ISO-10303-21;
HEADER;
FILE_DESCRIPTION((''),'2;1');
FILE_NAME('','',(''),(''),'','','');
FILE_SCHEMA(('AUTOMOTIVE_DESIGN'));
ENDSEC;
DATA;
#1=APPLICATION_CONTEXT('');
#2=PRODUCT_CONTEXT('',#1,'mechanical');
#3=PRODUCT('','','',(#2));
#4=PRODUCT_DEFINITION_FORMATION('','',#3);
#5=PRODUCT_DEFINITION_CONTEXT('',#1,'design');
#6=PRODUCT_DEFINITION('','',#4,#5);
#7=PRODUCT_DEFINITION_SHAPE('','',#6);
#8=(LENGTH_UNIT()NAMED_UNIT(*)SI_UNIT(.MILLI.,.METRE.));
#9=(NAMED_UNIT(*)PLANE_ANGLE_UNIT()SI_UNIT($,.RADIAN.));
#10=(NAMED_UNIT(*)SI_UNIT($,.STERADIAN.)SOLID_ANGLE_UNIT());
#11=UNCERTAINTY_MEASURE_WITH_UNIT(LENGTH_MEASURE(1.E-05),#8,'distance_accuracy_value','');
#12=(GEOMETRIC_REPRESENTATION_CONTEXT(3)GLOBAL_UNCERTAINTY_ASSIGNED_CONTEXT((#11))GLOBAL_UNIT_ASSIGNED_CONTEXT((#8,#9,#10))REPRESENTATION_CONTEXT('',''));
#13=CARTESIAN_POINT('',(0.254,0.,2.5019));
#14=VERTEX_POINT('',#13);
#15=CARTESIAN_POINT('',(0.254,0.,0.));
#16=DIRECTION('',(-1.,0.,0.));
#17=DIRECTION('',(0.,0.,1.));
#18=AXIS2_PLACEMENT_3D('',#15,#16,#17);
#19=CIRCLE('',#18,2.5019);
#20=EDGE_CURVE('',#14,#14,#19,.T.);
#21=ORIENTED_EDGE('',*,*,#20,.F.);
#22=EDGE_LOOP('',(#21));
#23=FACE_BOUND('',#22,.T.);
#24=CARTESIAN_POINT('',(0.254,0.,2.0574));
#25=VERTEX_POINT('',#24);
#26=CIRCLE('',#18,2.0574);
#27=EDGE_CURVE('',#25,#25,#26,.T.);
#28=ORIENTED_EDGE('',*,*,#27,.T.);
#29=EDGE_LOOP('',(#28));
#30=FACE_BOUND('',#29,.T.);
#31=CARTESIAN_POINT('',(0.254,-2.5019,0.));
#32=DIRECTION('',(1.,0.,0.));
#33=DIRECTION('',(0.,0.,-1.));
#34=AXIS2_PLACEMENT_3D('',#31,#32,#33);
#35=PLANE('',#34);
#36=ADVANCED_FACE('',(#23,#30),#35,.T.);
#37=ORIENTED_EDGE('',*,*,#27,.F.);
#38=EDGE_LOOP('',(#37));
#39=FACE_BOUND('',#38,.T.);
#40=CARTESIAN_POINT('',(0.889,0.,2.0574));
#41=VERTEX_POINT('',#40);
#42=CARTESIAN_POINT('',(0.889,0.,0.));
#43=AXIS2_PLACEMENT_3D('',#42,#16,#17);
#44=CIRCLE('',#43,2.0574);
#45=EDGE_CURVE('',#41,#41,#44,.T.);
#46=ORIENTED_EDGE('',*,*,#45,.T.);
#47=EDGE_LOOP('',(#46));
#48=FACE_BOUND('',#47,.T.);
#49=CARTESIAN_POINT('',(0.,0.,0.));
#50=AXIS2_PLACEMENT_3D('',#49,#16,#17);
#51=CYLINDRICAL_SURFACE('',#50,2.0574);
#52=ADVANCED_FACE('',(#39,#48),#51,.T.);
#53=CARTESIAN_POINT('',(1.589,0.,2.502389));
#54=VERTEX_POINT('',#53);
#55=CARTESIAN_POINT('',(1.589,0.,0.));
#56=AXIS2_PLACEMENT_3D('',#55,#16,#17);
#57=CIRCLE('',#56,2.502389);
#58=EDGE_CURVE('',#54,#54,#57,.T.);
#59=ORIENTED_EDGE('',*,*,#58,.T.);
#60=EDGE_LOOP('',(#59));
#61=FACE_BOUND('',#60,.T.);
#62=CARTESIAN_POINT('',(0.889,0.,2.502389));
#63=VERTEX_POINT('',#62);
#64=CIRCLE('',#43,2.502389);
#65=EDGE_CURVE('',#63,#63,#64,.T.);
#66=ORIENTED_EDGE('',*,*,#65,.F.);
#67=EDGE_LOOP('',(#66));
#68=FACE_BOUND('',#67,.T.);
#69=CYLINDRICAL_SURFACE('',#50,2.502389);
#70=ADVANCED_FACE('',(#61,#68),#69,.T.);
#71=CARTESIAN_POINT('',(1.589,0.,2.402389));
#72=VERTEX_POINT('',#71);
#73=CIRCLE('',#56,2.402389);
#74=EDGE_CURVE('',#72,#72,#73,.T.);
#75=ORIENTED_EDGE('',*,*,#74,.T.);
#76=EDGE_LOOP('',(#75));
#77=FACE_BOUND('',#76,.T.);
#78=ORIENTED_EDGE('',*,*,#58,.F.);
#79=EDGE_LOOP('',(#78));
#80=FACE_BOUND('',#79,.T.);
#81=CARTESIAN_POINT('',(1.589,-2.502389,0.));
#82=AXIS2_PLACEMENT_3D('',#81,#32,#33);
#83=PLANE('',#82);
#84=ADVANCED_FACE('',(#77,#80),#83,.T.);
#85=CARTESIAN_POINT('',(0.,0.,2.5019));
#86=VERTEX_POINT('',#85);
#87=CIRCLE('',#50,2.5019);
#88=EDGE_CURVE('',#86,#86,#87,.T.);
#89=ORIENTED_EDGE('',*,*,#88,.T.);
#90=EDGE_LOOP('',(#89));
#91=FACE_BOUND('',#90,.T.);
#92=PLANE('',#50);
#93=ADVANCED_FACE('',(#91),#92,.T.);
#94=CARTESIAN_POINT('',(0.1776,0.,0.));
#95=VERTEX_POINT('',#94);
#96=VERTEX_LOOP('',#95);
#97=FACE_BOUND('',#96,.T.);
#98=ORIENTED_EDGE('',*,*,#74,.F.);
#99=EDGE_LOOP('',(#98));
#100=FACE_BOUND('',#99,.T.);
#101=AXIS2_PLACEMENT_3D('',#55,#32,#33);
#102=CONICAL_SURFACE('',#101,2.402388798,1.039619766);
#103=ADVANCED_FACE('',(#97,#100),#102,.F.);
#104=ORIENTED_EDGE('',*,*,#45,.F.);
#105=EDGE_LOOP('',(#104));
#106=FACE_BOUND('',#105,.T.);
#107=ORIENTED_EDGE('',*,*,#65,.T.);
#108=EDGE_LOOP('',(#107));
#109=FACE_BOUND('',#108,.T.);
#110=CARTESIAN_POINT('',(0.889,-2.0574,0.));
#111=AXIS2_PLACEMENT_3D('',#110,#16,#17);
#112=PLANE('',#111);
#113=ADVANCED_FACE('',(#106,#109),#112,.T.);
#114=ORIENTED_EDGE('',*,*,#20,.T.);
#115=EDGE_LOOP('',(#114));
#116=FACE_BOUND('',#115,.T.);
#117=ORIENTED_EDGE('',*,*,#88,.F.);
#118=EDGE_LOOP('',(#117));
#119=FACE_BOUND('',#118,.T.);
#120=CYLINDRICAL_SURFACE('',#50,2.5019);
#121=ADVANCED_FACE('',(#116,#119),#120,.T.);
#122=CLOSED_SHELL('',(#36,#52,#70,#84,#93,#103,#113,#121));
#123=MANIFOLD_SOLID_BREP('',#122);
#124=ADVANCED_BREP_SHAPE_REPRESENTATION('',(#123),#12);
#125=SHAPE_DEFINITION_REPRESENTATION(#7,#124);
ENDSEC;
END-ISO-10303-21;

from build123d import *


with BuildPart() as part:
    # Sketch2 → Revolve1 (revolve)
    with BuildSketch(Plane.XY, mode=Mode.PRIVATE) as revolve1_sk:
        Polygon((0, 0), (0, -2.5019), (0.254, -2.5019), (0.254, -2.0574), (0.889, -2.0574), (0.889, -2.502388798), (1.589, -2.502388798), (1.589, -2.402388798), (0.1776, 0), align=None)
    revolve(revolve1_sk.sketch.rotate(Axis((0, 0, 0), (1, 0, 0)), 270), axis=Axis((0, 0, 0), (1, 0, 0)))  # turned: the seam where the file's is


solid = part.part
